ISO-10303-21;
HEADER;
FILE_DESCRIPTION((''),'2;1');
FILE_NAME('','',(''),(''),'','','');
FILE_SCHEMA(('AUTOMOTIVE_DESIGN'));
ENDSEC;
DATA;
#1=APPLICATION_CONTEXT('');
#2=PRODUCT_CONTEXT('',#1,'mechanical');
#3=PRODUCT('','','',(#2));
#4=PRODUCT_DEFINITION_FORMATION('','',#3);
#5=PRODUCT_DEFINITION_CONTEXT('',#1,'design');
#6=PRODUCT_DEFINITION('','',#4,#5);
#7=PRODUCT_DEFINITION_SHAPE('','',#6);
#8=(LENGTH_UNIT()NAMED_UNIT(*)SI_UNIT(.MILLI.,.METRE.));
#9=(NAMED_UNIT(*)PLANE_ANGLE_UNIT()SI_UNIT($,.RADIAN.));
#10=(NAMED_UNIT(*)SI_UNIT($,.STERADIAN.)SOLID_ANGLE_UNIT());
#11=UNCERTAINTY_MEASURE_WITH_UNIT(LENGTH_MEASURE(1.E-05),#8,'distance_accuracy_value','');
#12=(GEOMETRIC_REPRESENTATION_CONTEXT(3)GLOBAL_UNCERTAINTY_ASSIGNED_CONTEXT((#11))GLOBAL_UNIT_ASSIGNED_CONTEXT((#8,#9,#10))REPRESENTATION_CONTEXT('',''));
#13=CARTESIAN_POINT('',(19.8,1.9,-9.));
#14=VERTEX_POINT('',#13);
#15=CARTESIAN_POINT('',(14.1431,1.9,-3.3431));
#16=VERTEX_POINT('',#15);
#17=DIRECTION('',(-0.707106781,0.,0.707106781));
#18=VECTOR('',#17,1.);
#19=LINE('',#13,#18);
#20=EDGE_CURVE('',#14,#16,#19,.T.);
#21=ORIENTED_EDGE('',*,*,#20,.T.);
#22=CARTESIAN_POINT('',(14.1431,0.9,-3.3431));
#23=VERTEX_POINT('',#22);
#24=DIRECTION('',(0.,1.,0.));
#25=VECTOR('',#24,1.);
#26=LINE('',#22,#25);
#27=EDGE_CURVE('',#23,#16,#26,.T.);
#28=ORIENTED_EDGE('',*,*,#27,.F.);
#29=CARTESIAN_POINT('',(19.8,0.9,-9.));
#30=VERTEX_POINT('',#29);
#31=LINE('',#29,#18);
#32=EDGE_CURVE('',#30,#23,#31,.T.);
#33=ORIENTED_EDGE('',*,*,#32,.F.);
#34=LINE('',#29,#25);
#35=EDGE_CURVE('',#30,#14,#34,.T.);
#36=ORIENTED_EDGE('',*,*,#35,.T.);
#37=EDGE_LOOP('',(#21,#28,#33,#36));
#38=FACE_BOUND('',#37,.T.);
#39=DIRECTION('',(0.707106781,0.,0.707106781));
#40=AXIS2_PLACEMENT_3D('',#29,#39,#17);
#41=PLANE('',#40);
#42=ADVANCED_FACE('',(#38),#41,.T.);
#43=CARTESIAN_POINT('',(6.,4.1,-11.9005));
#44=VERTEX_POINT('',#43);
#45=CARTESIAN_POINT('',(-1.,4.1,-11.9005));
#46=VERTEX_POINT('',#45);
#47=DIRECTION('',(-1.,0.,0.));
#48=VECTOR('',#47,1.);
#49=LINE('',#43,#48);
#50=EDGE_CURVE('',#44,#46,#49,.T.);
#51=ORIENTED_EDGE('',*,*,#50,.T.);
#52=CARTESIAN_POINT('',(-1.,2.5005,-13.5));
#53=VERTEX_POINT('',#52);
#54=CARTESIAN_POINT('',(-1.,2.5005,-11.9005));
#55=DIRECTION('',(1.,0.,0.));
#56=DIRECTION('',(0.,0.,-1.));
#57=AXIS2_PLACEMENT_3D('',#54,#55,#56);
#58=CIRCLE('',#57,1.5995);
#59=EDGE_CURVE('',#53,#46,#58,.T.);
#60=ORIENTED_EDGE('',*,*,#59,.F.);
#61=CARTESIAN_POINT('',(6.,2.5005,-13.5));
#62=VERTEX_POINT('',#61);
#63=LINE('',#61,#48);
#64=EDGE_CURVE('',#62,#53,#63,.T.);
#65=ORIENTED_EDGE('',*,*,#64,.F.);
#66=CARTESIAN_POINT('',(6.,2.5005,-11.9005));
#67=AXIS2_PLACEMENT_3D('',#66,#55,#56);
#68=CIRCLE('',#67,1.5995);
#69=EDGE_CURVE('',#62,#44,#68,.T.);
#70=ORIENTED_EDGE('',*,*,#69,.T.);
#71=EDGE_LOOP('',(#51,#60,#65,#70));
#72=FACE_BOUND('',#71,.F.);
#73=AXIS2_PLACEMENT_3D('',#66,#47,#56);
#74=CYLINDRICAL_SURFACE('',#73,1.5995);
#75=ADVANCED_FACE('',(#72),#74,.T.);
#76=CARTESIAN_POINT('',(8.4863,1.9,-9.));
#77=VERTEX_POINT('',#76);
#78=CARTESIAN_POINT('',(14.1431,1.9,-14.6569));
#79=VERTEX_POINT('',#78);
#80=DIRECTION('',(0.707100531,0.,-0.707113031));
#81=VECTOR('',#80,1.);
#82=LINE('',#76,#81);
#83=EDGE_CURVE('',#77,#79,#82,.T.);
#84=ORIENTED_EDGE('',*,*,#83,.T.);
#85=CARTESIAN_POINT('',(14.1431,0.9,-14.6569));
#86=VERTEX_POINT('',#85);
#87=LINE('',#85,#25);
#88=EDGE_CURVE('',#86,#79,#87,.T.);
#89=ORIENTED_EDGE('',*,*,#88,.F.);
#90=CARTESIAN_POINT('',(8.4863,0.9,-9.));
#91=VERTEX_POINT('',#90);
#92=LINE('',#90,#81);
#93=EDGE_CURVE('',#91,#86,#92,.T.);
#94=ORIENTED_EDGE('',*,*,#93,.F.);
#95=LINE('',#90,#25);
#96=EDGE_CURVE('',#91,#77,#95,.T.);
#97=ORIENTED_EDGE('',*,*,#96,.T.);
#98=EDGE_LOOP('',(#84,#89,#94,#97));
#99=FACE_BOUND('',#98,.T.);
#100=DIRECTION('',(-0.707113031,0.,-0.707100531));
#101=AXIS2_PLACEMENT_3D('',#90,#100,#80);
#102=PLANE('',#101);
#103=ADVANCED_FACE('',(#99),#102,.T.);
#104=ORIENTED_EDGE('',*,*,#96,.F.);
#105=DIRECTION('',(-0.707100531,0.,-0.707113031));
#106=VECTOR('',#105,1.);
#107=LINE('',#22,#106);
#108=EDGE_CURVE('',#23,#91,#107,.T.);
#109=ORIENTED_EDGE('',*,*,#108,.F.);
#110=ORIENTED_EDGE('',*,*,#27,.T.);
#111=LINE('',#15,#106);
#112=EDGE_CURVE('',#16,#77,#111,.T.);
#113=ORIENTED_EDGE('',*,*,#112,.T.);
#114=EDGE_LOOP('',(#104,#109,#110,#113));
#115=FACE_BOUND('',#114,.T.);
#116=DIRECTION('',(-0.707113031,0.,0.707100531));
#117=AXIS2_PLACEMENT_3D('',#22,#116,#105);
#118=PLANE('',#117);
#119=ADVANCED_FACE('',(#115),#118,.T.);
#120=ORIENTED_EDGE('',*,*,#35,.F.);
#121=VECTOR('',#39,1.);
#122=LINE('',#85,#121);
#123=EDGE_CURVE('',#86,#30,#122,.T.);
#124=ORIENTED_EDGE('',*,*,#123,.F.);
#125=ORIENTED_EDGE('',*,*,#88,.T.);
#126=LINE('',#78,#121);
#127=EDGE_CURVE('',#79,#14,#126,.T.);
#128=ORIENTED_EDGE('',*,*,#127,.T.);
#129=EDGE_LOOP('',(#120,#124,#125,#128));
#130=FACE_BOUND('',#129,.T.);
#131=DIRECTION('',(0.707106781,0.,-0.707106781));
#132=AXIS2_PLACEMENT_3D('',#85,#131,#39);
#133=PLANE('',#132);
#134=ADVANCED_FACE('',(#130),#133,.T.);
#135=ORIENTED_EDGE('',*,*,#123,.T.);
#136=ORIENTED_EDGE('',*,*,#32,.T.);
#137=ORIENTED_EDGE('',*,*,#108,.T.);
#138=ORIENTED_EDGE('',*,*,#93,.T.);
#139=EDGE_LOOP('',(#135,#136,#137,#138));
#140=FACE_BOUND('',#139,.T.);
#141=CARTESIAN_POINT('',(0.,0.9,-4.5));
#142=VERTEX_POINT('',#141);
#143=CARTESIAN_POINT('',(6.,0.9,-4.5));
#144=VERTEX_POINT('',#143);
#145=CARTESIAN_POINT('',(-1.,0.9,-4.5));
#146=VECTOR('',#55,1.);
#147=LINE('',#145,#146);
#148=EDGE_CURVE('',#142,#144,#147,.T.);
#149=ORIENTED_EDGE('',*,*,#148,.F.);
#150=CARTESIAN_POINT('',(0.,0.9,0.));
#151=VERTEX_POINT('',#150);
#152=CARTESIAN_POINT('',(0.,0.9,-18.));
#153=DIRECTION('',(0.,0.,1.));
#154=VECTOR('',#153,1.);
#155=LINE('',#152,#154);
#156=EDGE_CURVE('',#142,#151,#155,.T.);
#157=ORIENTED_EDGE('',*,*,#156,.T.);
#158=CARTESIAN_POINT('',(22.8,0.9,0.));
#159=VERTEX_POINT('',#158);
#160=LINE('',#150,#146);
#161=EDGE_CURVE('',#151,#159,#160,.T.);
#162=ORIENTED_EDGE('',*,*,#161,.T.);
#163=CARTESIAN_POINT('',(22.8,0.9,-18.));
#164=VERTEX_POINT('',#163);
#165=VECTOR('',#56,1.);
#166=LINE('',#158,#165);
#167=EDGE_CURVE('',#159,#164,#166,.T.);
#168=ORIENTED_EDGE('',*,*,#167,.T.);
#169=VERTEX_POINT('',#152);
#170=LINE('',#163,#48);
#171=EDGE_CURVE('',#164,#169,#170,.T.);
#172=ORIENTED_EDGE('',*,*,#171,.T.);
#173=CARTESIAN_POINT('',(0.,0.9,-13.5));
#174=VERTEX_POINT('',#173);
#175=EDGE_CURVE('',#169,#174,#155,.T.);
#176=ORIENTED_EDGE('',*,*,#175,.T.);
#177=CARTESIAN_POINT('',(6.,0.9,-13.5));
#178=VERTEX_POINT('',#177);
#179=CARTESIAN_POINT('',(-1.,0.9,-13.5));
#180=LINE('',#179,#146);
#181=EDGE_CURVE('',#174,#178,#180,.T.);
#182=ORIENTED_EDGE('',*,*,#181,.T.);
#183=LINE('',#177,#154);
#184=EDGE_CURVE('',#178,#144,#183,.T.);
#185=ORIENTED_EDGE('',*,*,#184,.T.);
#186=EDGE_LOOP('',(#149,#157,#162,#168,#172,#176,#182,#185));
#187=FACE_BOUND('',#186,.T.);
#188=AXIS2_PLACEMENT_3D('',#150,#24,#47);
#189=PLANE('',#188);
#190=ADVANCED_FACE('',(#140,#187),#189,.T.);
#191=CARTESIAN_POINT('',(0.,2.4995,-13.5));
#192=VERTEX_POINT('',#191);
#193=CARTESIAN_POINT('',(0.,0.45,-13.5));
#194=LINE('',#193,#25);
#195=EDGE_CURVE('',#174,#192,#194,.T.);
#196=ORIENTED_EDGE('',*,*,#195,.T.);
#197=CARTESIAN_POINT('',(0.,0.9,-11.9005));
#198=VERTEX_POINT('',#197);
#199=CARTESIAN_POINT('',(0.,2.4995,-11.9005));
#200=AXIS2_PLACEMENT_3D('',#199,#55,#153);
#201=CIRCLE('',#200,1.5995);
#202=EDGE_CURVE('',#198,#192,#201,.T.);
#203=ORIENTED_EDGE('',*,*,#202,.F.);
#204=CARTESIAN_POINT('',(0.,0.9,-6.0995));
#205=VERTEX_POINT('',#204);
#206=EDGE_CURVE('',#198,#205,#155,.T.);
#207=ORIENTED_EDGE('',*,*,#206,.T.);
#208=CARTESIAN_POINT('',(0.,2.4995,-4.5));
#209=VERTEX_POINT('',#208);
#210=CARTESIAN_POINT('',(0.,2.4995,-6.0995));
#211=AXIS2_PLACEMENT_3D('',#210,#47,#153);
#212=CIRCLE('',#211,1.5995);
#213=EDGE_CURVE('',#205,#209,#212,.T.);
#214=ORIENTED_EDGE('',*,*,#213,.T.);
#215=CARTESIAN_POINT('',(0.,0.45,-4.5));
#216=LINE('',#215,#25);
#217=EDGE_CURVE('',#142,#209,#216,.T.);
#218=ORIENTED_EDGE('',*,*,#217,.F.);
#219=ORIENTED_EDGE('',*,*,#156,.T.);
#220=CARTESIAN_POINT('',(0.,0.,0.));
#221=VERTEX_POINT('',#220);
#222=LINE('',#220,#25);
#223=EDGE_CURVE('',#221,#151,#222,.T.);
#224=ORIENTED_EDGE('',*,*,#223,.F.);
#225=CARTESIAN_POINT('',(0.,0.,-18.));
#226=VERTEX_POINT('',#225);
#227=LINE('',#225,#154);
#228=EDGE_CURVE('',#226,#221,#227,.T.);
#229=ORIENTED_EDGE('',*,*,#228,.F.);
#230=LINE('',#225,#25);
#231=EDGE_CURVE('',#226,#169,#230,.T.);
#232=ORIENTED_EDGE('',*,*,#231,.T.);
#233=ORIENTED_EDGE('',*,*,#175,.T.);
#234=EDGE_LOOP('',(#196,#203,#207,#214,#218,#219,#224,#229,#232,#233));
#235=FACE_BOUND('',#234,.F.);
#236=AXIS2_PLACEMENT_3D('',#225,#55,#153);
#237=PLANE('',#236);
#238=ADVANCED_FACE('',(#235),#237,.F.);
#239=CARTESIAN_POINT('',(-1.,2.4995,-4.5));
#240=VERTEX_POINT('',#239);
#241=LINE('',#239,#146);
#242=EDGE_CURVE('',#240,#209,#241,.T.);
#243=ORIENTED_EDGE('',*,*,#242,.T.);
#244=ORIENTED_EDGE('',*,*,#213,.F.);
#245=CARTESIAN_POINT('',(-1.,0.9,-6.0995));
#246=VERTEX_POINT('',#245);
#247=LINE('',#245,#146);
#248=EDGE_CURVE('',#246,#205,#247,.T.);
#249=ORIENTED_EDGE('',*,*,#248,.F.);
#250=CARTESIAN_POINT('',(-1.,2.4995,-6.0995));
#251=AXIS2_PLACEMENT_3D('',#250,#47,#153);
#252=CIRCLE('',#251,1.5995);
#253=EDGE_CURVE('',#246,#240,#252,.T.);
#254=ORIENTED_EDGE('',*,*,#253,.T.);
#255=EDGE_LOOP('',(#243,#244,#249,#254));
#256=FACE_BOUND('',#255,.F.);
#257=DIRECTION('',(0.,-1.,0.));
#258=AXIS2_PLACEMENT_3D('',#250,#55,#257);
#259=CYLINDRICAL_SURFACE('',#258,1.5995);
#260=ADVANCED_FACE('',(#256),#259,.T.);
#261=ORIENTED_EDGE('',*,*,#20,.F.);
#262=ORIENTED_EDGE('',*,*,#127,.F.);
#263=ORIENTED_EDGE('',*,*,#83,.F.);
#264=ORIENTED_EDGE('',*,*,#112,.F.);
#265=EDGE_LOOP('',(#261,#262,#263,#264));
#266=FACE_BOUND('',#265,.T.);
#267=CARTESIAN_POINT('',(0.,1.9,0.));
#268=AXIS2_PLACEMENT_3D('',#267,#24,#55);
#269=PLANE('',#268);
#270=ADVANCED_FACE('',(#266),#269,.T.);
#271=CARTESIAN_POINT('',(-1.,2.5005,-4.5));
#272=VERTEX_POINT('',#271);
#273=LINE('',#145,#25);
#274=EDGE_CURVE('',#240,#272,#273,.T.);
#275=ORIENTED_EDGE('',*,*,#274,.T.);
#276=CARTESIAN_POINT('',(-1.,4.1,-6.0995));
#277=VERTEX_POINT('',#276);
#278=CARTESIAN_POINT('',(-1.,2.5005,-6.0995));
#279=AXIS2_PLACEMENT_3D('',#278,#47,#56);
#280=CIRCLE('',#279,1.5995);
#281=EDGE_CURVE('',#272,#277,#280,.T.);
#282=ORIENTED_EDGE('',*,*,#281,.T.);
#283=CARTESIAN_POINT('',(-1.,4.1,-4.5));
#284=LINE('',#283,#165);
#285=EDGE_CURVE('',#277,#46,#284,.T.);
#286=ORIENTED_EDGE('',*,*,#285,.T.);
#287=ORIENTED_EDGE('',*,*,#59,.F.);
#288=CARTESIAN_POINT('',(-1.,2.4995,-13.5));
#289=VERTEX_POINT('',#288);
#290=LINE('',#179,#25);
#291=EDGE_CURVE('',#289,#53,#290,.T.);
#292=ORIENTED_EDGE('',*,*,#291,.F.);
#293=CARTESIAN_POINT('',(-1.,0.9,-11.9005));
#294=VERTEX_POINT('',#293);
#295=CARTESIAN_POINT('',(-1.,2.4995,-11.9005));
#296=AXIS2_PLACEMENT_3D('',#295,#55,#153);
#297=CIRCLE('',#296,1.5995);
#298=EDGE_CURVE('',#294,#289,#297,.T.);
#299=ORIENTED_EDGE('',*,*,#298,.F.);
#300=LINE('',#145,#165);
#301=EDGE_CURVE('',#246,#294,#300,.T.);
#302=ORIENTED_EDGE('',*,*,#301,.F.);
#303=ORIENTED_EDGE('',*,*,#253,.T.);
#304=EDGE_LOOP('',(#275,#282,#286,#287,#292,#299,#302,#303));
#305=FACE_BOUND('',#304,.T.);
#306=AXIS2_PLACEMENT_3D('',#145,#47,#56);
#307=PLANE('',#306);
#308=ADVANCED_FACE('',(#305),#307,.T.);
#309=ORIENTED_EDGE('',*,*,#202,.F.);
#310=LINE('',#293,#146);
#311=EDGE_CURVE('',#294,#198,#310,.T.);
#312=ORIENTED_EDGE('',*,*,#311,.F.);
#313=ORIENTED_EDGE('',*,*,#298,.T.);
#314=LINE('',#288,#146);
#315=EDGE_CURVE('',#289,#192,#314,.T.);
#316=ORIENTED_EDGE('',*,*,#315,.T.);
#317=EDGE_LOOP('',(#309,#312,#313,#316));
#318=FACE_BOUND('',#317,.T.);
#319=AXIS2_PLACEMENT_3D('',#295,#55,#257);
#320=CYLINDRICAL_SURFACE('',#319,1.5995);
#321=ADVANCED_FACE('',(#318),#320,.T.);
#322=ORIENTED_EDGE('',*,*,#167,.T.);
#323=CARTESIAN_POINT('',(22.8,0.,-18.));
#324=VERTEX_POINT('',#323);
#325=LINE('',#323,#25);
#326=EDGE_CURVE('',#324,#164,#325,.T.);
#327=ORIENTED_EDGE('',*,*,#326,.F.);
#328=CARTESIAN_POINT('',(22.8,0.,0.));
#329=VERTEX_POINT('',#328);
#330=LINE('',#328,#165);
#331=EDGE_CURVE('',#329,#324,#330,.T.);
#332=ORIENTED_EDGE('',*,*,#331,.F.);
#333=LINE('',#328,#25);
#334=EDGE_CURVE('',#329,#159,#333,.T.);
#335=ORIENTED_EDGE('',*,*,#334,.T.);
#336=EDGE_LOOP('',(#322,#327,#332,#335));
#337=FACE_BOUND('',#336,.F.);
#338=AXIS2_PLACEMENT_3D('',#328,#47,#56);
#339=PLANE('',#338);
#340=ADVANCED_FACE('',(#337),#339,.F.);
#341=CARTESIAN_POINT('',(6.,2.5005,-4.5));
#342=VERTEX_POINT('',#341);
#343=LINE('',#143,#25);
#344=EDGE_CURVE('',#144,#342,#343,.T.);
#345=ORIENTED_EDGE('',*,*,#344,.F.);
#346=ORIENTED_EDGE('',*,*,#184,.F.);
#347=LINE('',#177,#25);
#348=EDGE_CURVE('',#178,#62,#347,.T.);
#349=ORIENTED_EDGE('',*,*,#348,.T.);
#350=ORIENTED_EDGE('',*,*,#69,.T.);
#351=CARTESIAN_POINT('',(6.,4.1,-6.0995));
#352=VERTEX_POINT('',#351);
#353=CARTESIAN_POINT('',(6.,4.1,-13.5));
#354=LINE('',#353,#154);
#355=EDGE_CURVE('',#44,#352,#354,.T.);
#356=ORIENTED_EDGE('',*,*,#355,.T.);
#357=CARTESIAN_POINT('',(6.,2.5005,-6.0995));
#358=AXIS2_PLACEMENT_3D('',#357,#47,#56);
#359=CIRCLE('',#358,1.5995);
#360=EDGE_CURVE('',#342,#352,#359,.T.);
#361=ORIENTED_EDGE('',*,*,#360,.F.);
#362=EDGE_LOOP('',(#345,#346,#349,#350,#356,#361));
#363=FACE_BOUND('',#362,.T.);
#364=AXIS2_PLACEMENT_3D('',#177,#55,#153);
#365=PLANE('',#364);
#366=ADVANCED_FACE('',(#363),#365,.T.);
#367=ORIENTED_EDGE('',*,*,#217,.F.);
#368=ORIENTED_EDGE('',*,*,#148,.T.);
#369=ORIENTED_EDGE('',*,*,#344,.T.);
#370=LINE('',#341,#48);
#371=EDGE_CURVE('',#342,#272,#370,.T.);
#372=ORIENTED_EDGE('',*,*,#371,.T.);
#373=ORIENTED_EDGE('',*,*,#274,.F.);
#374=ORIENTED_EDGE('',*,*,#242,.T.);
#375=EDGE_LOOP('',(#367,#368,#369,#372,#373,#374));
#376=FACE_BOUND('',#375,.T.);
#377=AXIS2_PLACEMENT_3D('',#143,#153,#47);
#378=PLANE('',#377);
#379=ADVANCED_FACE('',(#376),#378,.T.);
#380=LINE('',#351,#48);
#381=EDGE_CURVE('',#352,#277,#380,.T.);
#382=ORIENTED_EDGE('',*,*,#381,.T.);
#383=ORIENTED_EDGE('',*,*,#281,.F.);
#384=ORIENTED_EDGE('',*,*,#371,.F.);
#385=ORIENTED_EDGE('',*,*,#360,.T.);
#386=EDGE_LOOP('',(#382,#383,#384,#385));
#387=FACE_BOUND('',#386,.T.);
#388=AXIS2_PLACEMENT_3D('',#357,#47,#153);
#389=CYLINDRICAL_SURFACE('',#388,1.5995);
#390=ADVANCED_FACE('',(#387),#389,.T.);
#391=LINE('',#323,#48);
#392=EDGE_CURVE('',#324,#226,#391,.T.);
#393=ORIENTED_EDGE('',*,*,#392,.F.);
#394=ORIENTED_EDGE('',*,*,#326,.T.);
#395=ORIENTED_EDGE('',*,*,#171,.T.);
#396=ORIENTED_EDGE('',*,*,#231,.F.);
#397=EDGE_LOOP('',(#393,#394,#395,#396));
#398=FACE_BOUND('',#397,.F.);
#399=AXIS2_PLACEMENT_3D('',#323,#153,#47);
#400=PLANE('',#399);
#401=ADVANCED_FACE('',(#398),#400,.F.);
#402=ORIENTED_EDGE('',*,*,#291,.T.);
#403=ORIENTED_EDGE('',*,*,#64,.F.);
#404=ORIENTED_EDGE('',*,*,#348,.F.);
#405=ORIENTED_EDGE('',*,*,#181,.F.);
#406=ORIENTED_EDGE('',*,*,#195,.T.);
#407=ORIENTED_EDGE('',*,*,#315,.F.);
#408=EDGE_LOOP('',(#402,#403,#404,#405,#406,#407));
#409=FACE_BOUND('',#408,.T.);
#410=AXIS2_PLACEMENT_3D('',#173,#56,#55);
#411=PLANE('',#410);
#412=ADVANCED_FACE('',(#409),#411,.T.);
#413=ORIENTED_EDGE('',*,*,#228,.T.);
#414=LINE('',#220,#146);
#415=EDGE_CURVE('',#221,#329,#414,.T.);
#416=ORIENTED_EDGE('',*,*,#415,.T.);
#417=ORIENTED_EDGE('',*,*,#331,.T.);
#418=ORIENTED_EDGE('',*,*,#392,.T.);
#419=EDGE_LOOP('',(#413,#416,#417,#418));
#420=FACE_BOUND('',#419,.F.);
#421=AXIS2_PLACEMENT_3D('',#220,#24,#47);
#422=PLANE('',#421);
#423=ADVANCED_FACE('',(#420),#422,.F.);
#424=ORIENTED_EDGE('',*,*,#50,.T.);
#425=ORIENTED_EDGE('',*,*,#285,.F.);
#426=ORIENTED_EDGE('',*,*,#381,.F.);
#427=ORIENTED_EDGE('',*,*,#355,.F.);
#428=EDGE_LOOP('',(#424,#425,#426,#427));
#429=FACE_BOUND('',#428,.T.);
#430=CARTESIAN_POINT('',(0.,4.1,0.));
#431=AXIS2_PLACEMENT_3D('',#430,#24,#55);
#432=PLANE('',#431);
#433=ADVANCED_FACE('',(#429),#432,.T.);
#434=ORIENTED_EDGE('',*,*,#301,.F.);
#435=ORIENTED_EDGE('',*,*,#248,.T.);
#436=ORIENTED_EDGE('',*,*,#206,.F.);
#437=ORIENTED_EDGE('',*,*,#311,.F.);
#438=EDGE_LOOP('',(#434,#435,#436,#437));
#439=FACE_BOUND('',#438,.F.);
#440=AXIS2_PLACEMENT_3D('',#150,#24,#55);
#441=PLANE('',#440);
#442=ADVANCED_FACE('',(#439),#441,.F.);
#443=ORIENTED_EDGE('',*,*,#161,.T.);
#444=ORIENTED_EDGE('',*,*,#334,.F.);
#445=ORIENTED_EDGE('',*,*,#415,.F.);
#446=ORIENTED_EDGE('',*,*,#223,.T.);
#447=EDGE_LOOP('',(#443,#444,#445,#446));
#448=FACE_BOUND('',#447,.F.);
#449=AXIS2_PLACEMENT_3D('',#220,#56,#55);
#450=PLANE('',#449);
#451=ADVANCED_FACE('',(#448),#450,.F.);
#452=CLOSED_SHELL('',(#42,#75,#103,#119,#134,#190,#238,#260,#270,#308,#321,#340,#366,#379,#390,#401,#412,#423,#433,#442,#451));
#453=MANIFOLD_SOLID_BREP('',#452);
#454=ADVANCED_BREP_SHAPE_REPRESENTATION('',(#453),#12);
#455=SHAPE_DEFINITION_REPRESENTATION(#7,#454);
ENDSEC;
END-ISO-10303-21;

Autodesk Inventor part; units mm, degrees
ref_plane "YZ Plane" through (0, 0, 0) normal (1, 0, 0) x (0, 1, 0)
ref_plane "XZ Plane" through (0, 0, 0) normal (0, 1, 0) x (-1, 0, 0)
ref_plane "XY Plane" through (0, 0, 0) normal (0, 0, 1) x (1, 0, 0)
sketch "Sketch1" plane through (0, 0, 0) normal (0, 1, 0) x (-1, 0, 0)
  line L0 (0, 0) -> (-22.8, 0)
  line L1 (-22.8, 0) -> (-22.8, -18)
  line L2 (-22.8, -18) -> (0, -18)
  line L3 (0, -18) -> (0, 0)
  dimension "d0" = 22.8
  dimension "d1" = 18
extrude "Extrusion1" add sketch "Sketch1" along normal blind 0.9
sketch "Sketch2" plane through (0, 0.9, 0) normal (0, 1, 0) x (1, 0, 0)
  line L0 (14.1431, 3.3431) -> (8.4863, 9)
  line L1 (8.4863, 9) -> (14.1431, 14.6569)
  line L2 (14.1431, 14.6569) -> (19.8, 9)
  line L3 (19.8, 9) -> (14.1431, 3.3431)
  line L4 (22.8, 0) -> (22.8, 18) projected
  point P0 (0, 0)
  point P1 (22.8, 9)
  dimension "d4" = 135
  dimension "d5" = 8
  dimension "d6" = 3
extrude "Extrusion2" add sketch "Sketch2" along normal blind 1
sketch "Sketch3" plane through (0, 0.9, 0) normal (0, 1, 0) x (1, 0, 0)
  line L0 (6, 4.5) -> (-1, 4.5)
  line L1 (-1, 4.5) -> (-1, 13.5)
  line L2 (-1, 13.5) -> (6, 13.5)
  line L3 (6, 13.5) -> (6, 4.5)
  line L4 (0, 18) -> (0, 0) projected
  point P0 (-1, 9)
  point P1 (0, 9)
  dimension "d9" = 7
  dimension "d10" = 1
  dimension "d11" = 9
extrude "Extrusion3" add sketch "Sketch3" along normal blind 3.2
fillet "Fillet1" radius 1.6 4 edges at (2.5, 4.1, -4.5) (2.5, 4.1, -13.5) (-0.5, 0.9, -4.5) (-0.5, 0.9, -13.5)
properties part number "rp2040"
